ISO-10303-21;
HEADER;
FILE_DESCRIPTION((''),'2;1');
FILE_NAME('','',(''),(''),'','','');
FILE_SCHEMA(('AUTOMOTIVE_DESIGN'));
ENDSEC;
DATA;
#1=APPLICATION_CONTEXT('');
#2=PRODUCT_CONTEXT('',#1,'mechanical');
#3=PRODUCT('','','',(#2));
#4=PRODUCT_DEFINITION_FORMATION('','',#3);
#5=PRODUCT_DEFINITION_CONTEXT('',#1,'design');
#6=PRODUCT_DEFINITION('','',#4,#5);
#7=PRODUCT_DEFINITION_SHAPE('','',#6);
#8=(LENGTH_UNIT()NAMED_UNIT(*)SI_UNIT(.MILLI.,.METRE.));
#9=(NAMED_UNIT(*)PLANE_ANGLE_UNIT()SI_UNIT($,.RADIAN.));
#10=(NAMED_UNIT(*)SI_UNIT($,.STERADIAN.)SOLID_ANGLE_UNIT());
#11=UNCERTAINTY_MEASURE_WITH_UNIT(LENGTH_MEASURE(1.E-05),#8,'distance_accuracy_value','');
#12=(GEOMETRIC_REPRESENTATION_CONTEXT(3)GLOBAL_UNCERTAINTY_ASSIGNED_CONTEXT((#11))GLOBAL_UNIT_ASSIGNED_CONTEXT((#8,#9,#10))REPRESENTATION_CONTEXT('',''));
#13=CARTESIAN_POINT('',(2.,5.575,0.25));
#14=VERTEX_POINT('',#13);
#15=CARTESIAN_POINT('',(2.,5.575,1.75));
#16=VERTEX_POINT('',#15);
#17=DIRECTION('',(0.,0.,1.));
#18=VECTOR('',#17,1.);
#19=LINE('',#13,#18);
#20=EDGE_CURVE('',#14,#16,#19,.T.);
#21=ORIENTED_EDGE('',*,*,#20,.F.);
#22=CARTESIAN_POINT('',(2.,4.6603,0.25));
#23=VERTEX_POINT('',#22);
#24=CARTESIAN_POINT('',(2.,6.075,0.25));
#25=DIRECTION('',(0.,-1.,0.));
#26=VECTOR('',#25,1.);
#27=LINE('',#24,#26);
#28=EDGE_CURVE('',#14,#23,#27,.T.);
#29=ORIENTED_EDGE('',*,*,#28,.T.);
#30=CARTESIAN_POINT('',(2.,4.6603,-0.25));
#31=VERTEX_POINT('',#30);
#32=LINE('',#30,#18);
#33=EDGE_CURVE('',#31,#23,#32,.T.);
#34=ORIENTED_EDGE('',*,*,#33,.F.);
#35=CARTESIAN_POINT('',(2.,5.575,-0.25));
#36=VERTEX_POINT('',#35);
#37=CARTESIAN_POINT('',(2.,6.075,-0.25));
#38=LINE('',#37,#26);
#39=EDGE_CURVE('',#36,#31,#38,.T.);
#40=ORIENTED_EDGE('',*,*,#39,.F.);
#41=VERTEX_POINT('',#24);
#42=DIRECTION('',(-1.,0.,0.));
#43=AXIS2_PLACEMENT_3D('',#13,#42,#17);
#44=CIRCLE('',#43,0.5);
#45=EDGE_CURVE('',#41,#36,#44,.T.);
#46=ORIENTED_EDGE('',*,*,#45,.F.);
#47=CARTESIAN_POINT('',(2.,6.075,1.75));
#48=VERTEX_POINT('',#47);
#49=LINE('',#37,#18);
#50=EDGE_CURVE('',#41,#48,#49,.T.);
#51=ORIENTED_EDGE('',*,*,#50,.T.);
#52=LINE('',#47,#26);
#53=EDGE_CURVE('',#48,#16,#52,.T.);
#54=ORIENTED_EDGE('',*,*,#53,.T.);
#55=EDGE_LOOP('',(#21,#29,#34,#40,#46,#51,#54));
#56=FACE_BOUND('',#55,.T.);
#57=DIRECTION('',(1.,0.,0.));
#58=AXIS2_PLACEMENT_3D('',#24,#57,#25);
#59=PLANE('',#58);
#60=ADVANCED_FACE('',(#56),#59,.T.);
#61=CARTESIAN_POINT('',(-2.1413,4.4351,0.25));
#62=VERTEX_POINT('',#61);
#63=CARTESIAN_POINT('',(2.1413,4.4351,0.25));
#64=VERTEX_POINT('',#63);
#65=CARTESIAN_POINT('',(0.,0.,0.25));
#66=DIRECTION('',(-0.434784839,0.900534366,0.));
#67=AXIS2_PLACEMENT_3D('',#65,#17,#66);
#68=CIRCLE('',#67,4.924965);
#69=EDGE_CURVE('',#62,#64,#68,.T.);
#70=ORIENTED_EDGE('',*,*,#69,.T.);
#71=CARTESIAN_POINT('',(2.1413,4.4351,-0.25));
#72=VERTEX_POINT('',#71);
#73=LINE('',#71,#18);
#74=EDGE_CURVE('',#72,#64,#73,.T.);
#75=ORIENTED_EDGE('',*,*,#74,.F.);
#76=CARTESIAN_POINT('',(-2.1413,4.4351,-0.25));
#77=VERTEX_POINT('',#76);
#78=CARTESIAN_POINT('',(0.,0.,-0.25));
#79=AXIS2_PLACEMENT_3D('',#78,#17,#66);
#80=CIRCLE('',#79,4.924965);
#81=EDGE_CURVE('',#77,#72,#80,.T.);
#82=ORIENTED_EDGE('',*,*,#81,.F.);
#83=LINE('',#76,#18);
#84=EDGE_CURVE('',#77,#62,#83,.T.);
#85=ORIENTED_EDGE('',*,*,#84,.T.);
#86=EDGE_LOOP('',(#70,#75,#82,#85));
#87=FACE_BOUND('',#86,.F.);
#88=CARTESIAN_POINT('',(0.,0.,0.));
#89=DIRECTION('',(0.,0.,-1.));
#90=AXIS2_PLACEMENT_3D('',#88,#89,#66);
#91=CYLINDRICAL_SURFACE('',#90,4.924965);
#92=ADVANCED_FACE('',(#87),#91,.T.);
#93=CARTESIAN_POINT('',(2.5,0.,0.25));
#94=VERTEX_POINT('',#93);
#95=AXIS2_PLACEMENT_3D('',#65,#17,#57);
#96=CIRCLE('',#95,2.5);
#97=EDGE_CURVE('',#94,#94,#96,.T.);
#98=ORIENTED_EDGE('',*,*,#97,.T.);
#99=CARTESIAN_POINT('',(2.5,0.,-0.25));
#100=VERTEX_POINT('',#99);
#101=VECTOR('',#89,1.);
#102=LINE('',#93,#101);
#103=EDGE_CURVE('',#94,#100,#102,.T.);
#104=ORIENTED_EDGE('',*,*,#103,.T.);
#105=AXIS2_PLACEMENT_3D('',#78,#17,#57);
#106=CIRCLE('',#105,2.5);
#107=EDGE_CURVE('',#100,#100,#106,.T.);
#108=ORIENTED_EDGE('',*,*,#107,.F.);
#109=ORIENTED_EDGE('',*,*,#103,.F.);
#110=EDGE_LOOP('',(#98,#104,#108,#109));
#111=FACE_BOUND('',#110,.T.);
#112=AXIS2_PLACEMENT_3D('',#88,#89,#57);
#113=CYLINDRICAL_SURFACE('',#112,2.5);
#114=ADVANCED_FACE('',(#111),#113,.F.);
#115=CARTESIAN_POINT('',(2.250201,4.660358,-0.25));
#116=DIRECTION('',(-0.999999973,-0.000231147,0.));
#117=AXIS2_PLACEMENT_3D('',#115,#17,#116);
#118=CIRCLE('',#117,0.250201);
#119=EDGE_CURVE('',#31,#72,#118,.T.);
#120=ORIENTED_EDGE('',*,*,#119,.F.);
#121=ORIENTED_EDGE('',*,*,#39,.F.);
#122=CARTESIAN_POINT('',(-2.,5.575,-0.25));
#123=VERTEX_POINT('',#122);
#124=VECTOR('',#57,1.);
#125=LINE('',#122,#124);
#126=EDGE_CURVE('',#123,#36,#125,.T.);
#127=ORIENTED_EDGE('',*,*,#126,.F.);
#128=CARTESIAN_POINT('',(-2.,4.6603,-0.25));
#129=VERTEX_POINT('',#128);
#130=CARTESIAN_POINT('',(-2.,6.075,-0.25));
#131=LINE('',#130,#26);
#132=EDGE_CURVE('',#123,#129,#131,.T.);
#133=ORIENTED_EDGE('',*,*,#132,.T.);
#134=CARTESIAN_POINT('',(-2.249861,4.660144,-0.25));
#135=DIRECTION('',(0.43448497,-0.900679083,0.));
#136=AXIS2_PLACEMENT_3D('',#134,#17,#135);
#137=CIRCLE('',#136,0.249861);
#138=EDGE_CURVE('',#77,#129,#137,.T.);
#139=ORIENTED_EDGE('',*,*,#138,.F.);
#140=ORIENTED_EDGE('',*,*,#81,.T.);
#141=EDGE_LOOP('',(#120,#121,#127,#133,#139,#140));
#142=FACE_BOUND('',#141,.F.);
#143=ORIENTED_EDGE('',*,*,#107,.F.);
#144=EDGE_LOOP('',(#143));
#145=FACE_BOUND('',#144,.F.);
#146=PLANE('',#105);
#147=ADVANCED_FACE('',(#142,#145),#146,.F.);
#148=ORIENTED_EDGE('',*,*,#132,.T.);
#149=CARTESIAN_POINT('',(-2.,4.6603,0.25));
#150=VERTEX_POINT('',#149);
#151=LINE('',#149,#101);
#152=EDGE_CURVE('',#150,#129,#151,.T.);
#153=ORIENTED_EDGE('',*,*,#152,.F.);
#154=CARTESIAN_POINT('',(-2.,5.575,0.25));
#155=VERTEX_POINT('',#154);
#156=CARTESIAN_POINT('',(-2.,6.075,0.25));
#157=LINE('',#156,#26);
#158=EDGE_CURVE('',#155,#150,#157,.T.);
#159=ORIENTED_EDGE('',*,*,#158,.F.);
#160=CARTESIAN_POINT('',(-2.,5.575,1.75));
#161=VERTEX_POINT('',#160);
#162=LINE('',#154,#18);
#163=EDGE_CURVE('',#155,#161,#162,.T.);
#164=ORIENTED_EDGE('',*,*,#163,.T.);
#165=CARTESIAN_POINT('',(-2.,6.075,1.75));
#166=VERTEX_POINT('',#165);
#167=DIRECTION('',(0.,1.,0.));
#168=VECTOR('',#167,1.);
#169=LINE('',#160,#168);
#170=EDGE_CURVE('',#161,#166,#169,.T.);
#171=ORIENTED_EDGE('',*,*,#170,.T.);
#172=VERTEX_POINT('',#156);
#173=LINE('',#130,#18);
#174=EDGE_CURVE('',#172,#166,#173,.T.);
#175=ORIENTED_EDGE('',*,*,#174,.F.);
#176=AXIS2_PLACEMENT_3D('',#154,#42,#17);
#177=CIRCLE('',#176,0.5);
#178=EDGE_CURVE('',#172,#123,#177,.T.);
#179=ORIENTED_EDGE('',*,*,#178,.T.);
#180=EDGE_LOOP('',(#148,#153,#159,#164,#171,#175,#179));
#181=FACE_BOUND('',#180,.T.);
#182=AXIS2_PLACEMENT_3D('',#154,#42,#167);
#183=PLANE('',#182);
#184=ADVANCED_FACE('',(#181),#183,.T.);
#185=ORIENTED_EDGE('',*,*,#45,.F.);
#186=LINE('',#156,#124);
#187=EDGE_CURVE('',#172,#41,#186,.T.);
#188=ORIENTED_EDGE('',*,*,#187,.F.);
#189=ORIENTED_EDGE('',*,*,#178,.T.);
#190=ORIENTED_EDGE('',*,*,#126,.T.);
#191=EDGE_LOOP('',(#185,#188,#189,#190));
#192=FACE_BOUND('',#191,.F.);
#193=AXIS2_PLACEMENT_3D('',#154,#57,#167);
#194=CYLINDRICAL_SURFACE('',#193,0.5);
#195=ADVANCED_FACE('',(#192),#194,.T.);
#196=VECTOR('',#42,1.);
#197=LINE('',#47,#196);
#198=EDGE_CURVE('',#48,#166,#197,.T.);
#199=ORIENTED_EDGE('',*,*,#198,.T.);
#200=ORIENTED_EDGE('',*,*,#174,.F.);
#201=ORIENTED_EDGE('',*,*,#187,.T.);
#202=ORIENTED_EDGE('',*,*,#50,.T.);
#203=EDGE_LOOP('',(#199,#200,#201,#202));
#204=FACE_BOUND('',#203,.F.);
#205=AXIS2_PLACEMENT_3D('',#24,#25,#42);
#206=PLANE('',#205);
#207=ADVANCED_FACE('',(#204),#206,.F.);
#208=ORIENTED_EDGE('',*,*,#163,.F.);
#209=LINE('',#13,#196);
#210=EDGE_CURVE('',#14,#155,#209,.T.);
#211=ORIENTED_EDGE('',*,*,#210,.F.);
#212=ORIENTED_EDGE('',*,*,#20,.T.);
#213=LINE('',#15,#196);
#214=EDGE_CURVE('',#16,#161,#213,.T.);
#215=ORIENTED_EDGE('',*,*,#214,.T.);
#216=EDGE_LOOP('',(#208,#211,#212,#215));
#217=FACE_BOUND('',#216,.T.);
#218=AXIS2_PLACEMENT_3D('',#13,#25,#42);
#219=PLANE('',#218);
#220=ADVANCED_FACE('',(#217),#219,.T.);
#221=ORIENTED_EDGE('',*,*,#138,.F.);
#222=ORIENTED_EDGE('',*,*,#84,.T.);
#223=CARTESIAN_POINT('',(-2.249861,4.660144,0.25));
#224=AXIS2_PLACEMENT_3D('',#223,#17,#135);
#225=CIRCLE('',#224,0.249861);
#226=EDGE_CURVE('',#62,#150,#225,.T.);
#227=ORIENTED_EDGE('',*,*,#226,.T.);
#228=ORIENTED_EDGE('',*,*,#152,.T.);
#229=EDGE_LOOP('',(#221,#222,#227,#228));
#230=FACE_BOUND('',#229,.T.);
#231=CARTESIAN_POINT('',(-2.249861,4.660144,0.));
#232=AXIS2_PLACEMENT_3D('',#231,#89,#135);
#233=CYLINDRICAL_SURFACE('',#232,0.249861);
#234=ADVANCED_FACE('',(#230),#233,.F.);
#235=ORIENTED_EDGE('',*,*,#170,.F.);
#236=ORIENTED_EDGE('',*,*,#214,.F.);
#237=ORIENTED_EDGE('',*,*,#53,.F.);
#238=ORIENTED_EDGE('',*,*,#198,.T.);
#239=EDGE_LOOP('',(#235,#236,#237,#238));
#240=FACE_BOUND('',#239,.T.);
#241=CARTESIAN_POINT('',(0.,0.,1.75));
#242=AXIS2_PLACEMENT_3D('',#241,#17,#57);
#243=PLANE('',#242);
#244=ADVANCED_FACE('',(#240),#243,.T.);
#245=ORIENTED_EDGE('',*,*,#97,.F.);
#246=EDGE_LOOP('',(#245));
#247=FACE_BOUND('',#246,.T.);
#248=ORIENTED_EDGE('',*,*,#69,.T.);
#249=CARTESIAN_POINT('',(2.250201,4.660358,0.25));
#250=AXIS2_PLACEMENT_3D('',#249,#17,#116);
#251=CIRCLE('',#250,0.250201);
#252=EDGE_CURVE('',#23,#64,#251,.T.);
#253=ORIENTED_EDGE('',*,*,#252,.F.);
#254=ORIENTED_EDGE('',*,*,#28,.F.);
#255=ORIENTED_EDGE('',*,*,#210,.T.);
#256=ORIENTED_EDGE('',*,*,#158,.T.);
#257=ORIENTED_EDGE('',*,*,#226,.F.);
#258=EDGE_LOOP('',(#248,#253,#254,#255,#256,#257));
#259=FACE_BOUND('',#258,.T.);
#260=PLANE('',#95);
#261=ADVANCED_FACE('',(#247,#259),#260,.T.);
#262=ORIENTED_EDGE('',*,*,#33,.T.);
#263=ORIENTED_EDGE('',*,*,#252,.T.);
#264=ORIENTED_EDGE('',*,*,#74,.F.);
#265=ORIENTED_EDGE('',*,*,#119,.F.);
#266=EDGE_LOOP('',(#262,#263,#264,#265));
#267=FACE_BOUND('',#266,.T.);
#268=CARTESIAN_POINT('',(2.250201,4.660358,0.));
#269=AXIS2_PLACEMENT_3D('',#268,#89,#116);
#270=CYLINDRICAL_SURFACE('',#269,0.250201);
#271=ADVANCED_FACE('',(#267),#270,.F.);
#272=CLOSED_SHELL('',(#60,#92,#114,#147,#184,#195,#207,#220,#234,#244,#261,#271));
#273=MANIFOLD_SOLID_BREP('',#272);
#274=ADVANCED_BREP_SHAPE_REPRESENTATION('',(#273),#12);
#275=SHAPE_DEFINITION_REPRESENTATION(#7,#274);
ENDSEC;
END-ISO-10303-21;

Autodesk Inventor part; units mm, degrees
ref_plane "YZ Plane" through (0, 0, 0) normal (1, 0, 0) x (0, 1, 0)
ref_plane "XZ Plane" through (0, 0, 0) normal (0, 1, 0) x (-1, 0, 0)
ref_plane "XY Plane" through (0, 0, 0) normal (0, 0, 1) x (1, 0, 0)
sketch "Szkic1" plane through (0, 0, 0) normal (0, 0, 1) x (1, 0, 0)
  circle A0 centre (0, 0) radius 2.5
  arc A1 (-2.1413, 4.4351) -> (2.1413, 4.4351) centre (0, 0) ccw
  line L0 (-2, 6.075) -> (2, 6.075)
  line L1 (-2, 6.075) -> (-2, 4.6603)
  line L2 (2, 6.075) -> (2, 4.6603)
  arc A2 (-2.1413, 4.4351) -> (-2, 4.6603) centre (-2.25, 4.6603) ccw
  arc A3 (2, 4.6603) -> (2.1413, 4.4351) centre (2.25, 4.6603) ccw
  point P0 (-2, 4.5006)
  point P1 (2, 4.5006)
  dimension "d0" = 5
  dimension "d1" = 9.85
  dimension "d3" = 4
  dimension "d4" = 0.25
extrude "Wyciągnięcie proste1" add sketch "Szkic1" along normal mid plane 0.5
sketch "Szkic2" plane through (0, 0, 0.25) normal (0, 0, 1) x (1, 0, 0)
  line L0 (2, 6.075) -> (-2, 6.075) projected
  line L1 (-2, 6.075) -> (2, 6.075)
  line L2 (2, 6.075) -> (2, 5.575)
  line L3 (2, 5.575) -> (-2, 5.575)
  line L4 (-2, 5.575) -> (-2, 6.075)
  dimension "d7" = 0.5
extrude "Wyciągnięcie proste2" add sketch "Szkic2" along normal blind 1.5
fillet "Zaokrąglenie1" radius 0.5 1 edges at (0, 6.075, -0.25)
properties part number "podkładka z jednym uchem" material "Stal"
